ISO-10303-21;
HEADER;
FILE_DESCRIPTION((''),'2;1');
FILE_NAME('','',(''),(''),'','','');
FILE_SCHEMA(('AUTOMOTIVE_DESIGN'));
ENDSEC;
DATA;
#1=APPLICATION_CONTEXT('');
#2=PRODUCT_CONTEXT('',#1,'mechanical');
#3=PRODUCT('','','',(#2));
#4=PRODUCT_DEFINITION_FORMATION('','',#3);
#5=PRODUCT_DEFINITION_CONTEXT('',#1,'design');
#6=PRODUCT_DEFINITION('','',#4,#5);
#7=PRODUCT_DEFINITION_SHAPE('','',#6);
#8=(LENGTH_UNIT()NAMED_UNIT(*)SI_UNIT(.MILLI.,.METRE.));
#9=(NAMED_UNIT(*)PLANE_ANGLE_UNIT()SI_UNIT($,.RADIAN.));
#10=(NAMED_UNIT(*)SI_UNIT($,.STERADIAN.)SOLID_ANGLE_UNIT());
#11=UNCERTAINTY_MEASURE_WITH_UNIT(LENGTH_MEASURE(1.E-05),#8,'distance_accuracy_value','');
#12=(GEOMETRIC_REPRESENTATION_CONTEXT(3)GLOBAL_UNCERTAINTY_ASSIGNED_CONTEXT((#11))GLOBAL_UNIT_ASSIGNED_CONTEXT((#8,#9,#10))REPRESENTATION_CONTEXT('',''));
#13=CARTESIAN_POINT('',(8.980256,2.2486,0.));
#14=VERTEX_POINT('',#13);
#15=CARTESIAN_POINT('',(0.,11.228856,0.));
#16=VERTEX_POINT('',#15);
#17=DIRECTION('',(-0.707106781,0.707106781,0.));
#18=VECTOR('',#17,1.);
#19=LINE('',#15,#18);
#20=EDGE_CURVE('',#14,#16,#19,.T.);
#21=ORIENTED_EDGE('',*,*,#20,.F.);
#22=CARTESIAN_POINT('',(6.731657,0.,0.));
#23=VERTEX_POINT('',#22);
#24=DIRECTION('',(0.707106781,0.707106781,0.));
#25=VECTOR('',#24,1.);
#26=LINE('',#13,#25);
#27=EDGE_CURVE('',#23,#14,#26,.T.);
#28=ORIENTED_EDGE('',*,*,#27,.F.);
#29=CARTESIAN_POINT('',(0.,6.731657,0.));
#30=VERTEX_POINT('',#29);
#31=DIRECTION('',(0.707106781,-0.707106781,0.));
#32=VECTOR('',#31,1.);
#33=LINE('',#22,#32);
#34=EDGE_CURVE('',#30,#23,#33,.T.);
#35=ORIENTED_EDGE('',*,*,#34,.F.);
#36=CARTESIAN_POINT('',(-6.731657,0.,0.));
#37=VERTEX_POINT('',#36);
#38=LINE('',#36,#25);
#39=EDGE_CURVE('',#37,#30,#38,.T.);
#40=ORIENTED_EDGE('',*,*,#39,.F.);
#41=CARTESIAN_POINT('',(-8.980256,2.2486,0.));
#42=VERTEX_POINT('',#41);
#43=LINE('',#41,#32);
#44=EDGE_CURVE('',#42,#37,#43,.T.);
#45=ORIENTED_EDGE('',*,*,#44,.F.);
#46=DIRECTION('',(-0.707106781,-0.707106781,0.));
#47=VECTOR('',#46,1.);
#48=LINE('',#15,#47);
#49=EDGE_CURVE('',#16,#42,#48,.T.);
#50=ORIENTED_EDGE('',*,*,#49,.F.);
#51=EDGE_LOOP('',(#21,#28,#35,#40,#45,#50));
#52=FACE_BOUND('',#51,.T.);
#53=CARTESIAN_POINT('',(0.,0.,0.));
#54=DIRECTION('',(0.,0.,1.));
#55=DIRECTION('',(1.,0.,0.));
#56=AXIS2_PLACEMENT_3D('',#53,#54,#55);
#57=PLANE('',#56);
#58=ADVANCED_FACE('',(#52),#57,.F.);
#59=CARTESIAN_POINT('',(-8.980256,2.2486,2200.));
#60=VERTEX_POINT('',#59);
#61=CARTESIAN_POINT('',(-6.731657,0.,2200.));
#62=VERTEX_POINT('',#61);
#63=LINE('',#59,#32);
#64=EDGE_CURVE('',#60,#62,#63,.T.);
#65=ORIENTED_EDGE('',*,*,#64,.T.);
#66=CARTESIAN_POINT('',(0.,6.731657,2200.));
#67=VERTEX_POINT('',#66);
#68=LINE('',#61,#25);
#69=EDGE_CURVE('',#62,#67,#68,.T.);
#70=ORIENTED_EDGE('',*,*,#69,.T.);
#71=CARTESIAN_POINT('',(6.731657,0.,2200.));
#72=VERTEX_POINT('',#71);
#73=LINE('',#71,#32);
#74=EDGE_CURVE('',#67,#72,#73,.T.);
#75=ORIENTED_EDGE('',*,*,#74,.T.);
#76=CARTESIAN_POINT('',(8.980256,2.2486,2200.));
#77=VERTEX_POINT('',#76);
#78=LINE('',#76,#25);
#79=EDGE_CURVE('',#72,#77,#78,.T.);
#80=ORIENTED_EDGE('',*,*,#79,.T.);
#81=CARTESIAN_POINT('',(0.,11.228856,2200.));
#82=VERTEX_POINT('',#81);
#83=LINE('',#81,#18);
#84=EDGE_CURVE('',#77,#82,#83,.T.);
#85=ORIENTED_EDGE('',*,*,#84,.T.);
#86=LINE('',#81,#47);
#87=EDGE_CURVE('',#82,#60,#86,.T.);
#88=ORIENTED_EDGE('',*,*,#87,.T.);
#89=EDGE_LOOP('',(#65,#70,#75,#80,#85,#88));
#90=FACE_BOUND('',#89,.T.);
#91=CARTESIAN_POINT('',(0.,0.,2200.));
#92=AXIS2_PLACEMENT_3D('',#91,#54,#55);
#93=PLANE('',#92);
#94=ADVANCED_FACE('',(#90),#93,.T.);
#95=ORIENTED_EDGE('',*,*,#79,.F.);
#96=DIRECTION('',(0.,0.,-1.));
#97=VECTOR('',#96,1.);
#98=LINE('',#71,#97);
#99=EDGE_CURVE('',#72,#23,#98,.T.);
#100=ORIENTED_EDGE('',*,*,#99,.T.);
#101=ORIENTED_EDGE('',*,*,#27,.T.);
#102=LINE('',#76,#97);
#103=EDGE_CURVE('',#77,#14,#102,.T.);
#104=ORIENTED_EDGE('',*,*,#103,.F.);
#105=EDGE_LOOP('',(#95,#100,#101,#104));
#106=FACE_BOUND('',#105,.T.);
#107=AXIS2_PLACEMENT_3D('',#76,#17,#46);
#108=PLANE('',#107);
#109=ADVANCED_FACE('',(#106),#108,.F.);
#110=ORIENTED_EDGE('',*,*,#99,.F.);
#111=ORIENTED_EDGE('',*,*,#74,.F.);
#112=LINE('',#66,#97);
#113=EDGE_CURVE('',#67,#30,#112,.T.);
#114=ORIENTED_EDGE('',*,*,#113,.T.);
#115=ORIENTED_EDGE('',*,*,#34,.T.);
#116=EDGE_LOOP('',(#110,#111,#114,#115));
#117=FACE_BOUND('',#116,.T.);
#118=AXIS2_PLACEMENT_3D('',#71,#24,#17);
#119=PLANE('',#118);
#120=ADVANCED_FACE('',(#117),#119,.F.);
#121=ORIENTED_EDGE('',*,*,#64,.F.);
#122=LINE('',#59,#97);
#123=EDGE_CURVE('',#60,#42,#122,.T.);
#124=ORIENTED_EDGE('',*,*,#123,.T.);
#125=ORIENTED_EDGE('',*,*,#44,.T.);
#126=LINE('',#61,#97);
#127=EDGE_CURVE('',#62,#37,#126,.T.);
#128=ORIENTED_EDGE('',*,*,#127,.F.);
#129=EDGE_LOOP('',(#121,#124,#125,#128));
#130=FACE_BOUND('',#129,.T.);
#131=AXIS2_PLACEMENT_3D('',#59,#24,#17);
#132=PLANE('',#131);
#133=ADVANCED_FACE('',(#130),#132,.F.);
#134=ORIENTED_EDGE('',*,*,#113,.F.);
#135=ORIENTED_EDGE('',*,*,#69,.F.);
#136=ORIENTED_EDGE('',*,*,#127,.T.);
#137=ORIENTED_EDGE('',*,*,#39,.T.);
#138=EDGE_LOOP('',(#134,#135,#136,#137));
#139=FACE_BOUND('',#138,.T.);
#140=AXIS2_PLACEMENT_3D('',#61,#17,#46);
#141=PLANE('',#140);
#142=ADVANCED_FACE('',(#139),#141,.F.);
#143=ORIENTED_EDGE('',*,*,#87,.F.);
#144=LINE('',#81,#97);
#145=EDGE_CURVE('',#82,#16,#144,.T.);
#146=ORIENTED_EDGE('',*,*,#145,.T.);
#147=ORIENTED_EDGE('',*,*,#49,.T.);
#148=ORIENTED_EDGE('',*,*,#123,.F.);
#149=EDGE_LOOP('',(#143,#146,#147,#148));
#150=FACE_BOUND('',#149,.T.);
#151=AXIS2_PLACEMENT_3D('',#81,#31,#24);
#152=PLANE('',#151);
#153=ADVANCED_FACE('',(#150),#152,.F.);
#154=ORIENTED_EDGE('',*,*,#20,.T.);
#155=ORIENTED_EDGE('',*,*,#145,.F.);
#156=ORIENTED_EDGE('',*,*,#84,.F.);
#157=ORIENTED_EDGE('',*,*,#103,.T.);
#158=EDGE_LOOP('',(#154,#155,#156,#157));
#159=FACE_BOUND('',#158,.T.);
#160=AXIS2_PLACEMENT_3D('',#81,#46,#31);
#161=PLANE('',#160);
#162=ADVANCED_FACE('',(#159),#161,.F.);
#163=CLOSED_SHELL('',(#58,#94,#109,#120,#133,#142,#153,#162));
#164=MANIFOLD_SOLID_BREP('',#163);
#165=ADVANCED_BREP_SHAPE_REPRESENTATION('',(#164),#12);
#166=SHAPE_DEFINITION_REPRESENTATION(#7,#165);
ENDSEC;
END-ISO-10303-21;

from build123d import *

# Parameters (mm, degrees)
RESSALTO_EXTRUS_O1_DEPTH = 2200


with BuildPart() as part:
    # Esboço1 → Ressalto-extrusão1 (new body)
    with BuildSketch(Plane.XY):
        Polygon((0, 11.228855685), (8.980256121, 2.248599564), (6.731656557, 0), (0, 6.731656557), (-6.731656557, 0), (-8.980256121, 2.248599564), align=None)
    extrude(amount=RESSALTO_EXTRUS_O1_DEPTH)


solid = part.part
